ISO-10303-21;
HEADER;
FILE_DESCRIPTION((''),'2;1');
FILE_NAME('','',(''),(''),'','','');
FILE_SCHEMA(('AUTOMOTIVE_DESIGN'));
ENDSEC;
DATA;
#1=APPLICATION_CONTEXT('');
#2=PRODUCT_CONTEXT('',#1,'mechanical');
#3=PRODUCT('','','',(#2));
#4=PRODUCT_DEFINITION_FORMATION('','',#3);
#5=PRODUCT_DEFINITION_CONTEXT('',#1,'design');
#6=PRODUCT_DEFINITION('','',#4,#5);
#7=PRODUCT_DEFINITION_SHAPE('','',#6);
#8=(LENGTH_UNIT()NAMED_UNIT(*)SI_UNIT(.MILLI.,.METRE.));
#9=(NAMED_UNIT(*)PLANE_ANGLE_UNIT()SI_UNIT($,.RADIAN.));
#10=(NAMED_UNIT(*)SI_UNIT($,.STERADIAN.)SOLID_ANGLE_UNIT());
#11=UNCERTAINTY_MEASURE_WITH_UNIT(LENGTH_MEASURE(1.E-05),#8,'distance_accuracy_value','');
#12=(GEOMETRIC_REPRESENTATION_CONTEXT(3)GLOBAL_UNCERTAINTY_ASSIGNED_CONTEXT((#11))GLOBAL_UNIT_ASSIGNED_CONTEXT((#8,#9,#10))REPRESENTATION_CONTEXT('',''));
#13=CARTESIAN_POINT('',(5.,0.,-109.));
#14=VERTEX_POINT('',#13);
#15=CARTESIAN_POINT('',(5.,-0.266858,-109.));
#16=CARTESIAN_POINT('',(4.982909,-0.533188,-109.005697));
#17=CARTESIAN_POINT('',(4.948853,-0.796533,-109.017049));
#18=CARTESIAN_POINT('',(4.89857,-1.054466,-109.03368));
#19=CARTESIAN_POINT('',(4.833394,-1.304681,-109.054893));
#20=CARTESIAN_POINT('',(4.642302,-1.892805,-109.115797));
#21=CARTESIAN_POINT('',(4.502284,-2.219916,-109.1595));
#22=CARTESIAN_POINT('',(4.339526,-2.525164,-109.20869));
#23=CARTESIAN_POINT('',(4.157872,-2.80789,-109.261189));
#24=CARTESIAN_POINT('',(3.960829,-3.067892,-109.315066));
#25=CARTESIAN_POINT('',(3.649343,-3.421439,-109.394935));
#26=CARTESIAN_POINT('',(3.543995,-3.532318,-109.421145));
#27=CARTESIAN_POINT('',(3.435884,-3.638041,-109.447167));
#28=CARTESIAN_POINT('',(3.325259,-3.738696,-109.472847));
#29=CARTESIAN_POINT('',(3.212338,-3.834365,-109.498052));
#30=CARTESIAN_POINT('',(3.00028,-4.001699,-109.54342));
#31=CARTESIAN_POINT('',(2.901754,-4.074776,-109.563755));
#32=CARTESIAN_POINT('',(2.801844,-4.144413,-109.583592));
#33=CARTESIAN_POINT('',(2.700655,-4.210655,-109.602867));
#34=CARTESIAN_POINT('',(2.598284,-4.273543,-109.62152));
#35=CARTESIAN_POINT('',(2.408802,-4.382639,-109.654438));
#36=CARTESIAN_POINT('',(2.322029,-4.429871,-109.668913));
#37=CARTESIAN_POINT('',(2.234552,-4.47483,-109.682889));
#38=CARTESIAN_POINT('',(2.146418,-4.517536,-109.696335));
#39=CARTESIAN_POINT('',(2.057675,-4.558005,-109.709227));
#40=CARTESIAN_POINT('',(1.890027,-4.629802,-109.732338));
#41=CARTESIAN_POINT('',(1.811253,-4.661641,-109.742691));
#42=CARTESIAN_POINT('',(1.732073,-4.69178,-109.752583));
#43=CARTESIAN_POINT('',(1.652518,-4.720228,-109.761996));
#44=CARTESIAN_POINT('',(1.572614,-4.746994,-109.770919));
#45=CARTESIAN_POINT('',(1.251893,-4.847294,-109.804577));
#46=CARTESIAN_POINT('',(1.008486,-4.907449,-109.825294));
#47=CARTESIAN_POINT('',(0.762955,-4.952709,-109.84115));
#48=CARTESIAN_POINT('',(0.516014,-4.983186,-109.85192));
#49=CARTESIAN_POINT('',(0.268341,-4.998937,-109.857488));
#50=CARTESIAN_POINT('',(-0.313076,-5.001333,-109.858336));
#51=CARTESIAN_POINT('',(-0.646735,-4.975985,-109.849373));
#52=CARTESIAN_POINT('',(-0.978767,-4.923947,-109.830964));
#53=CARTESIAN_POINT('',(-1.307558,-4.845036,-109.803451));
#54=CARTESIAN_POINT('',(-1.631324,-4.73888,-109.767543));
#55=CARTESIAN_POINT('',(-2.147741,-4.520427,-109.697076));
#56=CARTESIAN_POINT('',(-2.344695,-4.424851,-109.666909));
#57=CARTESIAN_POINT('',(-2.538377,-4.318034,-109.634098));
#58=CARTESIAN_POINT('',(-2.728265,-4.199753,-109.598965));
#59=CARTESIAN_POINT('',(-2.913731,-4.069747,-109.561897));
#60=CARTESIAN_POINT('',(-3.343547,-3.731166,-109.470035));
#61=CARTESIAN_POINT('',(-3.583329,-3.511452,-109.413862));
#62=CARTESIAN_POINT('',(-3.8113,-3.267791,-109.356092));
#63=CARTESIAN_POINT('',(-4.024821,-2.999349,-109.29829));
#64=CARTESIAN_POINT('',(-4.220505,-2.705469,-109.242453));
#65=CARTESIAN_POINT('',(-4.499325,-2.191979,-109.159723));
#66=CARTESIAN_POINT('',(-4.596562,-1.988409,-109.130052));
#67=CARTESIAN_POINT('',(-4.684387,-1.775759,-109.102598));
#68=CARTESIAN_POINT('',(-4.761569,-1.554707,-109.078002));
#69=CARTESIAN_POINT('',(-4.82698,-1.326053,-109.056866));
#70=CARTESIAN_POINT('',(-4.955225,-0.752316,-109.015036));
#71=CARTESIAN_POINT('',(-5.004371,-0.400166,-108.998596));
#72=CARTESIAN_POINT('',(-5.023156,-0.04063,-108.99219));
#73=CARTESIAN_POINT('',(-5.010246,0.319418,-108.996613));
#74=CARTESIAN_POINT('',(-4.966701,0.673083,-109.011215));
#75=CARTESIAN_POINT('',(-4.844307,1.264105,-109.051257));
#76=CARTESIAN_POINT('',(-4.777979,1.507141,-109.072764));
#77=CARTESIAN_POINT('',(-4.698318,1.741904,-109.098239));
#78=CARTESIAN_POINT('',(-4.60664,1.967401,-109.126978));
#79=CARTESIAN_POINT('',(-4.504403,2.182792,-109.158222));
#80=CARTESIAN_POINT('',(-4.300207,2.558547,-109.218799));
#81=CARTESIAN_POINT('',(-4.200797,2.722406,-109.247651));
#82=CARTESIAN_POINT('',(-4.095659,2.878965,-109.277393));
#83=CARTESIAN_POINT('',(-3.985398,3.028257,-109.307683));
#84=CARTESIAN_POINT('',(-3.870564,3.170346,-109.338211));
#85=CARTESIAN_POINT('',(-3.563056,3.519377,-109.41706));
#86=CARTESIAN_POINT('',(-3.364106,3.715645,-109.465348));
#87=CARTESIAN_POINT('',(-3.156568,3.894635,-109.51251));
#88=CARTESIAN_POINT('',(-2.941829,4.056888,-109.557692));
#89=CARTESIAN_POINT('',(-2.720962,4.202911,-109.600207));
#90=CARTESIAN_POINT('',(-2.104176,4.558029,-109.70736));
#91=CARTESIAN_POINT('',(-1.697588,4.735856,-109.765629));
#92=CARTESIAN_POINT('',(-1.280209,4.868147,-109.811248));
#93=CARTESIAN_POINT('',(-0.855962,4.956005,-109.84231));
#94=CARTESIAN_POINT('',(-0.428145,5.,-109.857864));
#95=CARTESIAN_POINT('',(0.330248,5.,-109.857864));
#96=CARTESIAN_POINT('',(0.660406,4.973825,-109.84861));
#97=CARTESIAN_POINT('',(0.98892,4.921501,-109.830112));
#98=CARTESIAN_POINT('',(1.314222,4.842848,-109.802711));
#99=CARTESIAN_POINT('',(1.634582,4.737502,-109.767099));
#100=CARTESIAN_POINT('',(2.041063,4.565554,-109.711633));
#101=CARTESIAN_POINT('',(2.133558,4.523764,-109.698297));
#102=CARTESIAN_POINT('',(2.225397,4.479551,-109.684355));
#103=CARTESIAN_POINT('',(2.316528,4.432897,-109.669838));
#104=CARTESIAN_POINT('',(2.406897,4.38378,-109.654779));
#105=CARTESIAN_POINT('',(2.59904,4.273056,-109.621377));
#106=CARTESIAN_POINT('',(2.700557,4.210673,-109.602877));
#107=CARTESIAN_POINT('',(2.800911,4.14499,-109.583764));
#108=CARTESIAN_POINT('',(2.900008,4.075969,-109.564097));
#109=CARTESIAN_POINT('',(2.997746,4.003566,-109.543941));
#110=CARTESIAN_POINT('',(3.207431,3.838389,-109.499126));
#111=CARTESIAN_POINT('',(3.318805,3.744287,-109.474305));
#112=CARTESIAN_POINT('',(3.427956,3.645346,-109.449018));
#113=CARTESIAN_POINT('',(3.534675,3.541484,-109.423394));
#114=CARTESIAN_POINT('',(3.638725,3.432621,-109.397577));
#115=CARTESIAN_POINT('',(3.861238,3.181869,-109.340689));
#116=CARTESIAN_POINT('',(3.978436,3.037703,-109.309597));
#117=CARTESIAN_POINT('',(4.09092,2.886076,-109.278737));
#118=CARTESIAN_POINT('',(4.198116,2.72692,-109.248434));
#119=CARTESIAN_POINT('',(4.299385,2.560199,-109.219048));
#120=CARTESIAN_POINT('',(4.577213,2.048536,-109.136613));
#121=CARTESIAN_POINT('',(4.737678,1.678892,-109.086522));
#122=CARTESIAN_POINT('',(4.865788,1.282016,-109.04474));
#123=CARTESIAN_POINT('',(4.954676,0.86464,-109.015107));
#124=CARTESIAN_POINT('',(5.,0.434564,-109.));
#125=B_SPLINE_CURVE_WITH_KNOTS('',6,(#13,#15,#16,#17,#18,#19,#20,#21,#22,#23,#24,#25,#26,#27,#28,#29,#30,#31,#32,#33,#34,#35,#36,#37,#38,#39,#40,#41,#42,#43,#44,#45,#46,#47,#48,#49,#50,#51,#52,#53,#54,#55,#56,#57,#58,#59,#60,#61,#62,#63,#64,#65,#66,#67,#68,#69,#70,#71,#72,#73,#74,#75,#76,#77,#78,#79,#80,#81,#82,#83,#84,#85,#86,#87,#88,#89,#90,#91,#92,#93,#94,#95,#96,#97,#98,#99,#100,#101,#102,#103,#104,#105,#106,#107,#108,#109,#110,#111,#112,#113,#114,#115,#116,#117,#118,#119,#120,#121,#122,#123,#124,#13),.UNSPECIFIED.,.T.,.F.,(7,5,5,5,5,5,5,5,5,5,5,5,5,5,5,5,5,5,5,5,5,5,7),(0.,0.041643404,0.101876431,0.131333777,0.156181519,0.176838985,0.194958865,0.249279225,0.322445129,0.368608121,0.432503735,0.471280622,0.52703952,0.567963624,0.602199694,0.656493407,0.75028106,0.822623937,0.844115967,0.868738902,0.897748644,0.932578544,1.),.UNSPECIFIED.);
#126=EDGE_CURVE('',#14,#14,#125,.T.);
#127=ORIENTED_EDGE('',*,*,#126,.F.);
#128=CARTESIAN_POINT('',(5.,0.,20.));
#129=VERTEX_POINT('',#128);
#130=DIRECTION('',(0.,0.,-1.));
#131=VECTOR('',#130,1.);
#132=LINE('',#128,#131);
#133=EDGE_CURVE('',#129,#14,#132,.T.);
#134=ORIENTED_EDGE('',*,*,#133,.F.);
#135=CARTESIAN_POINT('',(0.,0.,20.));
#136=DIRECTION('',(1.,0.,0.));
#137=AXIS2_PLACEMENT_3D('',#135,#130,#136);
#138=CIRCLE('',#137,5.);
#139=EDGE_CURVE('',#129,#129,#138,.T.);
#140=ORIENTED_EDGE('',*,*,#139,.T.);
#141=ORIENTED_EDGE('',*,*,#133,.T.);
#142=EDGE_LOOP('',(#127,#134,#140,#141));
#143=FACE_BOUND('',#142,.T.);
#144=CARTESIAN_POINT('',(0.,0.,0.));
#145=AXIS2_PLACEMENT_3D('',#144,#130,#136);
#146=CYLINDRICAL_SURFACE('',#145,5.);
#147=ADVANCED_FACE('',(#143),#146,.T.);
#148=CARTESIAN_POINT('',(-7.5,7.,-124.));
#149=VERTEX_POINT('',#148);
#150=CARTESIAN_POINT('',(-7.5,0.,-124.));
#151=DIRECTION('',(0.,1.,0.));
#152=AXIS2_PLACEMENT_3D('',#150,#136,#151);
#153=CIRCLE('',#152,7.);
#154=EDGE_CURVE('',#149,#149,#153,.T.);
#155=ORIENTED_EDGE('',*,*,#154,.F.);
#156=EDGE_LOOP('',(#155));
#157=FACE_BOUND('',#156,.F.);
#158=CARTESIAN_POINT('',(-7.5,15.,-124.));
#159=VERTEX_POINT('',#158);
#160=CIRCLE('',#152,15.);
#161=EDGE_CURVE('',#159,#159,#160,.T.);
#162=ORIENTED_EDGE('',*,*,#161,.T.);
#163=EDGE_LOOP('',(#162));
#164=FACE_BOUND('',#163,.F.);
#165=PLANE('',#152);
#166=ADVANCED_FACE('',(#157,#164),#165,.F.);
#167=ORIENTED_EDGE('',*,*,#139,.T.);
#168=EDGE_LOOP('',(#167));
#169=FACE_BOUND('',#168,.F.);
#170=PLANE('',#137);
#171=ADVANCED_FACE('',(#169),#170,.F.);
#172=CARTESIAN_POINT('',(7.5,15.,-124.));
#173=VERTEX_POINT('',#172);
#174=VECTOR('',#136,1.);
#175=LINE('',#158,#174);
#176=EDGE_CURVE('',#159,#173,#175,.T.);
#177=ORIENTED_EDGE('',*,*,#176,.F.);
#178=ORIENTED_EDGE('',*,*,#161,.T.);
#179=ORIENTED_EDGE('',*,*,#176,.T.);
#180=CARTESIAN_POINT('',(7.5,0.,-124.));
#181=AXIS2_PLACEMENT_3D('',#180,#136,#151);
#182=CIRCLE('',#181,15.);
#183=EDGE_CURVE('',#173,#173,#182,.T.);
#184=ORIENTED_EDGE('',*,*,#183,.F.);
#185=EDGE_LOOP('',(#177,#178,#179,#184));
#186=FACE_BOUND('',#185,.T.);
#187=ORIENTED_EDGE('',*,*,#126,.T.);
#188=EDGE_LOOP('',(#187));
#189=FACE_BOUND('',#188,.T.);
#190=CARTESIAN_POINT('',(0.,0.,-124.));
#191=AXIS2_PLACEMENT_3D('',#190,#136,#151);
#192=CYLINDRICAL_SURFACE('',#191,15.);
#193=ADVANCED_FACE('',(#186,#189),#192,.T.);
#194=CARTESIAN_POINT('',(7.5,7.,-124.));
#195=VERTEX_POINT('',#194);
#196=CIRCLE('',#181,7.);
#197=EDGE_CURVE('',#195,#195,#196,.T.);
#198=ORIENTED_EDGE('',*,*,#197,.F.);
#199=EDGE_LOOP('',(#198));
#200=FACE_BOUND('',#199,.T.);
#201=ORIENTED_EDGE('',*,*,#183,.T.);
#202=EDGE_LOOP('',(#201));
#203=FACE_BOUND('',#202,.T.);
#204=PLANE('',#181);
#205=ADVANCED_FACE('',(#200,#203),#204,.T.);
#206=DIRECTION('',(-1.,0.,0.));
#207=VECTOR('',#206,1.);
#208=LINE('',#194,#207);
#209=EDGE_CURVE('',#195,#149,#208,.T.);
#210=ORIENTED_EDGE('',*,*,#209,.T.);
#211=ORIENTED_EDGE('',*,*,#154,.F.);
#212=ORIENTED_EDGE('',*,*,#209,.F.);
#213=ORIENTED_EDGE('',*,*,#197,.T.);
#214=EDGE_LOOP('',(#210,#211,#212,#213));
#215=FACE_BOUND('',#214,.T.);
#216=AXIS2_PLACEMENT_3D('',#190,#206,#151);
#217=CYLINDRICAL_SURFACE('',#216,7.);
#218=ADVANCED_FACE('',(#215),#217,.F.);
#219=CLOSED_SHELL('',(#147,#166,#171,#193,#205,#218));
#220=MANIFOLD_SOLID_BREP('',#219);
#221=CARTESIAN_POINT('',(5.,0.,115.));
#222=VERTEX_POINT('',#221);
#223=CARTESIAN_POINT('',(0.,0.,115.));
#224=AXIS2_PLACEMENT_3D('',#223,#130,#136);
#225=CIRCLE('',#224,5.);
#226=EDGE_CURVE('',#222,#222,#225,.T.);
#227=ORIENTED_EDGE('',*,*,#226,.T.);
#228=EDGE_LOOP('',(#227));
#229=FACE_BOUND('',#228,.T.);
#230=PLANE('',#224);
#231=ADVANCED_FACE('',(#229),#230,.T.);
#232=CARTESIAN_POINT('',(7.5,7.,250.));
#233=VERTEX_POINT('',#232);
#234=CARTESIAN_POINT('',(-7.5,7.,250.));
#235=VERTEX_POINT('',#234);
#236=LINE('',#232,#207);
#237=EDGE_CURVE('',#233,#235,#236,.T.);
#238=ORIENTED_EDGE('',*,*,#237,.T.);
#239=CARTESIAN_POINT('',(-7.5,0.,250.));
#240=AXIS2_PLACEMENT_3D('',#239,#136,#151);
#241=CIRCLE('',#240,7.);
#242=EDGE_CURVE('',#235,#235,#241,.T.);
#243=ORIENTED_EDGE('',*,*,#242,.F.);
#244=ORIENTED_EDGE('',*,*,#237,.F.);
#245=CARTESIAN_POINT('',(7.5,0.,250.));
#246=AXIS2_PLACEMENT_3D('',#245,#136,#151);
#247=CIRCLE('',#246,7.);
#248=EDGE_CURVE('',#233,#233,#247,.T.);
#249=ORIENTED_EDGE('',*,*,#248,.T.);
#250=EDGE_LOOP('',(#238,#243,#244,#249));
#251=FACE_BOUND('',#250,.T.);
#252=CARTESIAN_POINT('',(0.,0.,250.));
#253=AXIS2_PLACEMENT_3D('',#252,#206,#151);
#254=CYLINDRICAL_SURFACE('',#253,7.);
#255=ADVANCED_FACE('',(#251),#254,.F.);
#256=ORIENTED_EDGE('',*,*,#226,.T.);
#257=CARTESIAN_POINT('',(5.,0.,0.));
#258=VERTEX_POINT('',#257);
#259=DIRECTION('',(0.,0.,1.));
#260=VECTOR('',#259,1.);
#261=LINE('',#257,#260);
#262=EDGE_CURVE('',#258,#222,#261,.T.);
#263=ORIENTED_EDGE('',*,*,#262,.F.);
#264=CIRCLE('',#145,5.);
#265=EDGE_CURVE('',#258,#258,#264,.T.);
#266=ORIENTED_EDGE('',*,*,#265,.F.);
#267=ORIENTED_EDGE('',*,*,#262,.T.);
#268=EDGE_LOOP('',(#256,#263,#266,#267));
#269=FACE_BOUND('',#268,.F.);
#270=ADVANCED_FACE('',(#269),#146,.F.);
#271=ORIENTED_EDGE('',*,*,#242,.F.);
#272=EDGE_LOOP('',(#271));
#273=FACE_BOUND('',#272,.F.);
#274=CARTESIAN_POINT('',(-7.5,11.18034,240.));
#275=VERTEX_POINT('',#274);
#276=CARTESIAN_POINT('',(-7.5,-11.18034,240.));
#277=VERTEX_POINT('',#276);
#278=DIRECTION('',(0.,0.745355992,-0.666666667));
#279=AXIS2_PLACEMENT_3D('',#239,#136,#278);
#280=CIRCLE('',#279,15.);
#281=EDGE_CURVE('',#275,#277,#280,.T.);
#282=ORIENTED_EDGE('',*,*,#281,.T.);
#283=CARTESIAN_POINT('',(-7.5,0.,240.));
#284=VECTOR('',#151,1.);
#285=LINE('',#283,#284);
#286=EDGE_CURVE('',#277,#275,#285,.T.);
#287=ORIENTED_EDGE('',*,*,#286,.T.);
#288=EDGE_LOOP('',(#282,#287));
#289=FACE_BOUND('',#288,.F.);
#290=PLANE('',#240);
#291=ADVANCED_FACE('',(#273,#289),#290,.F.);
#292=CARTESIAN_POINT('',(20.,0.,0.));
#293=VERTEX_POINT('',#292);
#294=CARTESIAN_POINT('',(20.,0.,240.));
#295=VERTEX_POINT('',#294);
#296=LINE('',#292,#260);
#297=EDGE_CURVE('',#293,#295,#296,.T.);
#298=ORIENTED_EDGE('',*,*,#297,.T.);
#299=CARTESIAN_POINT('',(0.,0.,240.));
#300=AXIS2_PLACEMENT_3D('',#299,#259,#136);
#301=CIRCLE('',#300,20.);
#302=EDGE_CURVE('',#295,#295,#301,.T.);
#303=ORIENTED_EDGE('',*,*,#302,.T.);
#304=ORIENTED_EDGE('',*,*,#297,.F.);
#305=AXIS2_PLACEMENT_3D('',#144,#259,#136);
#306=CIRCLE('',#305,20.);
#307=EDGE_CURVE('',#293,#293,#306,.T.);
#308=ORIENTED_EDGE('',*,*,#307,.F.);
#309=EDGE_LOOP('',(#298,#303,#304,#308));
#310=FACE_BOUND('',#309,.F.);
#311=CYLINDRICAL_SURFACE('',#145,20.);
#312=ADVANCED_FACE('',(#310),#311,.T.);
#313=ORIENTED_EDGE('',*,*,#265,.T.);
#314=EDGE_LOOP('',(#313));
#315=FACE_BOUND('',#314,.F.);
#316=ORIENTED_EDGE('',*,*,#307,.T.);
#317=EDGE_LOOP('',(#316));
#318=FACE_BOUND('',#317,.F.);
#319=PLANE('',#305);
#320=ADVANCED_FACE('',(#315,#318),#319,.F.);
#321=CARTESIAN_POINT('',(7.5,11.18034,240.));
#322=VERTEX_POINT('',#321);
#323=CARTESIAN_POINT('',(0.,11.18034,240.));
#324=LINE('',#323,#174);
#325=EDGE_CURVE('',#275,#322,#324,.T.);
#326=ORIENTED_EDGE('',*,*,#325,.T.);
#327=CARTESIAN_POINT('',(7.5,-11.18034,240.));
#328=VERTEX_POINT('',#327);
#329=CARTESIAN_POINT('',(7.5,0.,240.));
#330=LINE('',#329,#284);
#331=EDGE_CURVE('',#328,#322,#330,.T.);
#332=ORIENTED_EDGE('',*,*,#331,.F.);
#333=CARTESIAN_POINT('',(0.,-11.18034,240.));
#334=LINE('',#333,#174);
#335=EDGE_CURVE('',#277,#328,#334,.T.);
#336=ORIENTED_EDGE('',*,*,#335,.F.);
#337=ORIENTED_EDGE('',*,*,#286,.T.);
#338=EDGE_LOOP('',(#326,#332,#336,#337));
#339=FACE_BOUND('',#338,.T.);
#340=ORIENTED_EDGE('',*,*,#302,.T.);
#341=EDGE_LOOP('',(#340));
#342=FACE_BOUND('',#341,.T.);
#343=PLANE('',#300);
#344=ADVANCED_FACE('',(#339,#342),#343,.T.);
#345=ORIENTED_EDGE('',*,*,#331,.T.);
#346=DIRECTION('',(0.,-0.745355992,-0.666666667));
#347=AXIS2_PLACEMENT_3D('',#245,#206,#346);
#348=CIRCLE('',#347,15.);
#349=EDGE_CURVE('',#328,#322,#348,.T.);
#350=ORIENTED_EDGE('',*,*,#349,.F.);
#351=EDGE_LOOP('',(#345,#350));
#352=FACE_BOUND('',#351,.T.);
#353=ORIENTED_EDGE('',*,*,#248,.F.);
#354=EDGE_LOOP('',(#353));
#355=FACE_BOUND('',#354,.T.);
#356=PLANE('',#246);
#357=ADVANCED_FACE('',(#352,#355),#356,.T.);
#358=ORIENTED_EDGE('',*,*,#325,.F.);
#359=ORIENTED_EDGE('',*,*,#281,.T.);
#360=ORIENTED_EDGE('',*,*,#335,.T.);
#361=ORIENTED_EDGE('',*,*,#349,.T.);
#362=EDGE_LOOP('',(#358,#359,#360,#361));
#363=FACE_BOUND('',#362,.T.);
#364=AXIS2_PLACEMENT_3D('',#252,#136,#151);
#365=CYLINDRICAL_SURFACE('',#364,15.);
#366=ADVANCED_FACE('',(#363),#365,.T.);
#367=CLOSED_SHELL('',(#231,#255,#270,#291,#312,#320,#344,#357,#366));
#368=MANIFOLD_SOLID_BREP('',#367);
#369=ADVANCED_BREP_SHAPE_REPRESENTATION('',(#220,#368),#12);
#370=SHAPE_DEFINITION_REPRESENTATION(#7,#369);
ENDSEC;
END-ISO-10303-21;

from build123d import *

# Parameters (mm, degrees)
F0_R          = 20
F1_DEPTH      = 240
F2_R          = 15
F2_R_2        = 7
F3_DEPTH      = 7.5
F4_R          = 5
F5_DEPTH      = 115
F6_DEPTH      = 114
F6_DEPTH_BACK = 20
F7_R          = 15
F7_R_2        = 7
F8_DEPTH      = 7.5


with BuildPart() as f1:
    # F0 (on Top) → F1 (new body)
    with BuildSketch(Plane.XY):
        Circle(F0_R)
    extrude(amount=F1_DEPTH)

    # F2 (on Right) → F3 (join, symmetric)
    with BuildSketch(Plane.YZ):
        with Locations((0, 250)):
            Circle(F2_R)
        with Locations((0, 250)):
            Circle(F2_R_2, mode=Mode.SUBTRACT)
    extrude(amount=F3_DEPTH, both=True)

    # F4 (on face) → F5 (cut)
    with BuildSketch(Plane(origin=(0, 0, 0), x_dir=(1, 0, 0), z_dir=(0, 0, -1))):
        Circle(F4_R)
    extrude(amount=-F5_DEPTH, mode=Mode.SUBTRACT)


with BuildPart() as f6:
    # F4 (on face) → F6 (new body, two sides)
    with BuildSketch(Plane(origin=(0, 0, 0), x_dir=(1, 0, 0), z_dir=(0, 0, -1))) as f6_sk:
        Circle(F4_R)
    extrude(amount=F6_DEPTH)
    extrude(f6_sk.sketch, amount=-F6_DEPTH_BACK)

    # F7 (on Right) → F8 (join, symmetric)
    with BuildSketch(Plane.YZ):
        with Locations((0, -124)):
            Circle(F7_R)
        with Locations((0, -124)):
            Circle(F7_R_2, mode=Mode.SUBTRACT)
    extrude(amount=F8_DEPTH, both=True)


solid = Compound([f1.part, f6.part])
